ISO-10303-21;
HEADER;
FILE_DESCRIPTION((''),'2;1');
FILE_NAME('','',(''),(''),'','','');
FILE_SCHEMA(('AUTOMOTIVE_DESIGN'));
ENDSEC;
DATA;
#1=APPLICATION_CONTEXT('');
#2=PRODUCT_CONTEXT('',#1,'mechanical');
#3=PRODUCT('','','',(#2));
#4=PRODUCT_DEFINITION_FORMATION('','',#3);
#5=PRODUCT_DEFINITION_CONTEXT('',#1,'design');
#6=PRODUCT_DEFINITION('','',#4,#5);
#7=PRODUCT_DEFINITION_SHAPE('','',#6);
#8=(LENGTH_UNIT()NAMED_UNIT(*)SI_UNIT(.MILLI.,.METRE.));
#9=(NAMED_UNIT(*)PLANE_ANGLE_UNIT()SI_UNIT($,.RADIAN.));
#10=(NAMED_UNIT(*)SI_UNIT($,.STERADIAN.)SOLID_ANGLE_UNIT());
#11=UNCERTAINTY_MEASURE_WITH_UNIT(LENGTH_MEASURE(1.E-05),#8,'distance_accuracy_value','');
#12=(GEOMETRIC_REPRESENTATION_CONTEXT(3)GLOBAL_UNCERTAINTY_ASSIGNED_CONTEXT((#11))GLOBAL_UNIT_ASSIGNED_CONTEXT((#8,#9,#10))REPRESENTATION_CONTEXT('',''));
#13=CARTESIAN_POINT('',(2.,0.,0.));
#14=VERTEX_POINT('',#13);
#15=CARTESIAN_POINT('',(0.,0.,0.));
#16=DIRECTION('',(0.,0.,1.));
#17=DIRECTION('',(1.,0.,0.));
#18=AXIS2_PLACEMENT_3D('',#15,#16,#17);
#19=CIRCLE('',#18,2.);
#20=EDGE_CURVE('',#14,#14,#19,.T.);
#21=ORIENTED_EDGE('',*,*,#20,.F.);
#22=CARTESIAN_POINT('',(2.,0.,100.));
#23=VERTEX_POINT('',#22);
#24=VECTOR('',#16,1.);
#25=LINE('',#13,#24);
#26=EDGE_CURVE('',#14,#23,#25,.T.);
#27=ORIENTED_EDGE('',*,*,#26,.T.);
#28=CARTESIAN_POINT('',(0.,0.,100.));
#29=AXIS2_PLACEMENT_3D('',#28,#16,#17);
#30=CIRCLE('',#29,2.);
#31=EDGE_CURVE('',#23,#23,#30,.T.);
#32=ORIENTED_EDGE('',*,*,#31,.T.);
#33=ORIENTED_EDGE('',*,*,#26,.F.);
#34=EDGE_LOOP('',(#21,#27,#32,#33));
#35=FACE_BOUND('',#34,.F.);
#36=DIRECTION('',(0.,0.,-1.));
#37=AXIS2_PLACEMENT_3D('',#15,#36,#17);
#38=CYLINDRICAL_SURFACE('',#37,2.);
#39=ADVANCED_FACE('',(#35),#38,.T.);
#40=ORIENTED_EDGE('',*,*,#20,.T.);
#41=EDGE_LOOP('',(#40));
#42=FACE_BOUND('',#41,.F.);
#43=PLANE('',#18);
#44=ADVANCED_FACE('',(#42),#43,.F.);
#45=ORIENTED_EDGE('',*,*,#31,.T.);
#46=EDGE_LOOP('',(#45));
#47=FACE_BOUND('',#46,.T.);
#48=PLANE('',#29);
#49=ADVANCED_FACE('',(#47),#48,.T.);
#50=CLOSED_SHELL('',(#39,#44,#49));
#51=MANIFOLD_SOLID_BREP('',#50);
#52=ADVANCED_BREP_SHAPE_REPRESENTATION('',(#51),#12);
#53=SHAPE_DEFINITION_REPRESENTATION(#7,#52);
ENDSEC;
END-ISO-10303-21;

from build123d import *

# Parameters (mm, degrees)
IZIM1_R                     = 2
Y_KSEKLIK_EKSTR_ZYON1_DEPTH = 100


with BuildPart() as part:
    # Çizim1 → Yükseklik-Ekstrüzyon1 (new body)
    with BuildSketch(Plane.XY):
        Circle(IZIM1_R)
    extrude(amount=Y_KSEKLIK_EKSTR_ZYON1_DEPTH)


solid = part.part
